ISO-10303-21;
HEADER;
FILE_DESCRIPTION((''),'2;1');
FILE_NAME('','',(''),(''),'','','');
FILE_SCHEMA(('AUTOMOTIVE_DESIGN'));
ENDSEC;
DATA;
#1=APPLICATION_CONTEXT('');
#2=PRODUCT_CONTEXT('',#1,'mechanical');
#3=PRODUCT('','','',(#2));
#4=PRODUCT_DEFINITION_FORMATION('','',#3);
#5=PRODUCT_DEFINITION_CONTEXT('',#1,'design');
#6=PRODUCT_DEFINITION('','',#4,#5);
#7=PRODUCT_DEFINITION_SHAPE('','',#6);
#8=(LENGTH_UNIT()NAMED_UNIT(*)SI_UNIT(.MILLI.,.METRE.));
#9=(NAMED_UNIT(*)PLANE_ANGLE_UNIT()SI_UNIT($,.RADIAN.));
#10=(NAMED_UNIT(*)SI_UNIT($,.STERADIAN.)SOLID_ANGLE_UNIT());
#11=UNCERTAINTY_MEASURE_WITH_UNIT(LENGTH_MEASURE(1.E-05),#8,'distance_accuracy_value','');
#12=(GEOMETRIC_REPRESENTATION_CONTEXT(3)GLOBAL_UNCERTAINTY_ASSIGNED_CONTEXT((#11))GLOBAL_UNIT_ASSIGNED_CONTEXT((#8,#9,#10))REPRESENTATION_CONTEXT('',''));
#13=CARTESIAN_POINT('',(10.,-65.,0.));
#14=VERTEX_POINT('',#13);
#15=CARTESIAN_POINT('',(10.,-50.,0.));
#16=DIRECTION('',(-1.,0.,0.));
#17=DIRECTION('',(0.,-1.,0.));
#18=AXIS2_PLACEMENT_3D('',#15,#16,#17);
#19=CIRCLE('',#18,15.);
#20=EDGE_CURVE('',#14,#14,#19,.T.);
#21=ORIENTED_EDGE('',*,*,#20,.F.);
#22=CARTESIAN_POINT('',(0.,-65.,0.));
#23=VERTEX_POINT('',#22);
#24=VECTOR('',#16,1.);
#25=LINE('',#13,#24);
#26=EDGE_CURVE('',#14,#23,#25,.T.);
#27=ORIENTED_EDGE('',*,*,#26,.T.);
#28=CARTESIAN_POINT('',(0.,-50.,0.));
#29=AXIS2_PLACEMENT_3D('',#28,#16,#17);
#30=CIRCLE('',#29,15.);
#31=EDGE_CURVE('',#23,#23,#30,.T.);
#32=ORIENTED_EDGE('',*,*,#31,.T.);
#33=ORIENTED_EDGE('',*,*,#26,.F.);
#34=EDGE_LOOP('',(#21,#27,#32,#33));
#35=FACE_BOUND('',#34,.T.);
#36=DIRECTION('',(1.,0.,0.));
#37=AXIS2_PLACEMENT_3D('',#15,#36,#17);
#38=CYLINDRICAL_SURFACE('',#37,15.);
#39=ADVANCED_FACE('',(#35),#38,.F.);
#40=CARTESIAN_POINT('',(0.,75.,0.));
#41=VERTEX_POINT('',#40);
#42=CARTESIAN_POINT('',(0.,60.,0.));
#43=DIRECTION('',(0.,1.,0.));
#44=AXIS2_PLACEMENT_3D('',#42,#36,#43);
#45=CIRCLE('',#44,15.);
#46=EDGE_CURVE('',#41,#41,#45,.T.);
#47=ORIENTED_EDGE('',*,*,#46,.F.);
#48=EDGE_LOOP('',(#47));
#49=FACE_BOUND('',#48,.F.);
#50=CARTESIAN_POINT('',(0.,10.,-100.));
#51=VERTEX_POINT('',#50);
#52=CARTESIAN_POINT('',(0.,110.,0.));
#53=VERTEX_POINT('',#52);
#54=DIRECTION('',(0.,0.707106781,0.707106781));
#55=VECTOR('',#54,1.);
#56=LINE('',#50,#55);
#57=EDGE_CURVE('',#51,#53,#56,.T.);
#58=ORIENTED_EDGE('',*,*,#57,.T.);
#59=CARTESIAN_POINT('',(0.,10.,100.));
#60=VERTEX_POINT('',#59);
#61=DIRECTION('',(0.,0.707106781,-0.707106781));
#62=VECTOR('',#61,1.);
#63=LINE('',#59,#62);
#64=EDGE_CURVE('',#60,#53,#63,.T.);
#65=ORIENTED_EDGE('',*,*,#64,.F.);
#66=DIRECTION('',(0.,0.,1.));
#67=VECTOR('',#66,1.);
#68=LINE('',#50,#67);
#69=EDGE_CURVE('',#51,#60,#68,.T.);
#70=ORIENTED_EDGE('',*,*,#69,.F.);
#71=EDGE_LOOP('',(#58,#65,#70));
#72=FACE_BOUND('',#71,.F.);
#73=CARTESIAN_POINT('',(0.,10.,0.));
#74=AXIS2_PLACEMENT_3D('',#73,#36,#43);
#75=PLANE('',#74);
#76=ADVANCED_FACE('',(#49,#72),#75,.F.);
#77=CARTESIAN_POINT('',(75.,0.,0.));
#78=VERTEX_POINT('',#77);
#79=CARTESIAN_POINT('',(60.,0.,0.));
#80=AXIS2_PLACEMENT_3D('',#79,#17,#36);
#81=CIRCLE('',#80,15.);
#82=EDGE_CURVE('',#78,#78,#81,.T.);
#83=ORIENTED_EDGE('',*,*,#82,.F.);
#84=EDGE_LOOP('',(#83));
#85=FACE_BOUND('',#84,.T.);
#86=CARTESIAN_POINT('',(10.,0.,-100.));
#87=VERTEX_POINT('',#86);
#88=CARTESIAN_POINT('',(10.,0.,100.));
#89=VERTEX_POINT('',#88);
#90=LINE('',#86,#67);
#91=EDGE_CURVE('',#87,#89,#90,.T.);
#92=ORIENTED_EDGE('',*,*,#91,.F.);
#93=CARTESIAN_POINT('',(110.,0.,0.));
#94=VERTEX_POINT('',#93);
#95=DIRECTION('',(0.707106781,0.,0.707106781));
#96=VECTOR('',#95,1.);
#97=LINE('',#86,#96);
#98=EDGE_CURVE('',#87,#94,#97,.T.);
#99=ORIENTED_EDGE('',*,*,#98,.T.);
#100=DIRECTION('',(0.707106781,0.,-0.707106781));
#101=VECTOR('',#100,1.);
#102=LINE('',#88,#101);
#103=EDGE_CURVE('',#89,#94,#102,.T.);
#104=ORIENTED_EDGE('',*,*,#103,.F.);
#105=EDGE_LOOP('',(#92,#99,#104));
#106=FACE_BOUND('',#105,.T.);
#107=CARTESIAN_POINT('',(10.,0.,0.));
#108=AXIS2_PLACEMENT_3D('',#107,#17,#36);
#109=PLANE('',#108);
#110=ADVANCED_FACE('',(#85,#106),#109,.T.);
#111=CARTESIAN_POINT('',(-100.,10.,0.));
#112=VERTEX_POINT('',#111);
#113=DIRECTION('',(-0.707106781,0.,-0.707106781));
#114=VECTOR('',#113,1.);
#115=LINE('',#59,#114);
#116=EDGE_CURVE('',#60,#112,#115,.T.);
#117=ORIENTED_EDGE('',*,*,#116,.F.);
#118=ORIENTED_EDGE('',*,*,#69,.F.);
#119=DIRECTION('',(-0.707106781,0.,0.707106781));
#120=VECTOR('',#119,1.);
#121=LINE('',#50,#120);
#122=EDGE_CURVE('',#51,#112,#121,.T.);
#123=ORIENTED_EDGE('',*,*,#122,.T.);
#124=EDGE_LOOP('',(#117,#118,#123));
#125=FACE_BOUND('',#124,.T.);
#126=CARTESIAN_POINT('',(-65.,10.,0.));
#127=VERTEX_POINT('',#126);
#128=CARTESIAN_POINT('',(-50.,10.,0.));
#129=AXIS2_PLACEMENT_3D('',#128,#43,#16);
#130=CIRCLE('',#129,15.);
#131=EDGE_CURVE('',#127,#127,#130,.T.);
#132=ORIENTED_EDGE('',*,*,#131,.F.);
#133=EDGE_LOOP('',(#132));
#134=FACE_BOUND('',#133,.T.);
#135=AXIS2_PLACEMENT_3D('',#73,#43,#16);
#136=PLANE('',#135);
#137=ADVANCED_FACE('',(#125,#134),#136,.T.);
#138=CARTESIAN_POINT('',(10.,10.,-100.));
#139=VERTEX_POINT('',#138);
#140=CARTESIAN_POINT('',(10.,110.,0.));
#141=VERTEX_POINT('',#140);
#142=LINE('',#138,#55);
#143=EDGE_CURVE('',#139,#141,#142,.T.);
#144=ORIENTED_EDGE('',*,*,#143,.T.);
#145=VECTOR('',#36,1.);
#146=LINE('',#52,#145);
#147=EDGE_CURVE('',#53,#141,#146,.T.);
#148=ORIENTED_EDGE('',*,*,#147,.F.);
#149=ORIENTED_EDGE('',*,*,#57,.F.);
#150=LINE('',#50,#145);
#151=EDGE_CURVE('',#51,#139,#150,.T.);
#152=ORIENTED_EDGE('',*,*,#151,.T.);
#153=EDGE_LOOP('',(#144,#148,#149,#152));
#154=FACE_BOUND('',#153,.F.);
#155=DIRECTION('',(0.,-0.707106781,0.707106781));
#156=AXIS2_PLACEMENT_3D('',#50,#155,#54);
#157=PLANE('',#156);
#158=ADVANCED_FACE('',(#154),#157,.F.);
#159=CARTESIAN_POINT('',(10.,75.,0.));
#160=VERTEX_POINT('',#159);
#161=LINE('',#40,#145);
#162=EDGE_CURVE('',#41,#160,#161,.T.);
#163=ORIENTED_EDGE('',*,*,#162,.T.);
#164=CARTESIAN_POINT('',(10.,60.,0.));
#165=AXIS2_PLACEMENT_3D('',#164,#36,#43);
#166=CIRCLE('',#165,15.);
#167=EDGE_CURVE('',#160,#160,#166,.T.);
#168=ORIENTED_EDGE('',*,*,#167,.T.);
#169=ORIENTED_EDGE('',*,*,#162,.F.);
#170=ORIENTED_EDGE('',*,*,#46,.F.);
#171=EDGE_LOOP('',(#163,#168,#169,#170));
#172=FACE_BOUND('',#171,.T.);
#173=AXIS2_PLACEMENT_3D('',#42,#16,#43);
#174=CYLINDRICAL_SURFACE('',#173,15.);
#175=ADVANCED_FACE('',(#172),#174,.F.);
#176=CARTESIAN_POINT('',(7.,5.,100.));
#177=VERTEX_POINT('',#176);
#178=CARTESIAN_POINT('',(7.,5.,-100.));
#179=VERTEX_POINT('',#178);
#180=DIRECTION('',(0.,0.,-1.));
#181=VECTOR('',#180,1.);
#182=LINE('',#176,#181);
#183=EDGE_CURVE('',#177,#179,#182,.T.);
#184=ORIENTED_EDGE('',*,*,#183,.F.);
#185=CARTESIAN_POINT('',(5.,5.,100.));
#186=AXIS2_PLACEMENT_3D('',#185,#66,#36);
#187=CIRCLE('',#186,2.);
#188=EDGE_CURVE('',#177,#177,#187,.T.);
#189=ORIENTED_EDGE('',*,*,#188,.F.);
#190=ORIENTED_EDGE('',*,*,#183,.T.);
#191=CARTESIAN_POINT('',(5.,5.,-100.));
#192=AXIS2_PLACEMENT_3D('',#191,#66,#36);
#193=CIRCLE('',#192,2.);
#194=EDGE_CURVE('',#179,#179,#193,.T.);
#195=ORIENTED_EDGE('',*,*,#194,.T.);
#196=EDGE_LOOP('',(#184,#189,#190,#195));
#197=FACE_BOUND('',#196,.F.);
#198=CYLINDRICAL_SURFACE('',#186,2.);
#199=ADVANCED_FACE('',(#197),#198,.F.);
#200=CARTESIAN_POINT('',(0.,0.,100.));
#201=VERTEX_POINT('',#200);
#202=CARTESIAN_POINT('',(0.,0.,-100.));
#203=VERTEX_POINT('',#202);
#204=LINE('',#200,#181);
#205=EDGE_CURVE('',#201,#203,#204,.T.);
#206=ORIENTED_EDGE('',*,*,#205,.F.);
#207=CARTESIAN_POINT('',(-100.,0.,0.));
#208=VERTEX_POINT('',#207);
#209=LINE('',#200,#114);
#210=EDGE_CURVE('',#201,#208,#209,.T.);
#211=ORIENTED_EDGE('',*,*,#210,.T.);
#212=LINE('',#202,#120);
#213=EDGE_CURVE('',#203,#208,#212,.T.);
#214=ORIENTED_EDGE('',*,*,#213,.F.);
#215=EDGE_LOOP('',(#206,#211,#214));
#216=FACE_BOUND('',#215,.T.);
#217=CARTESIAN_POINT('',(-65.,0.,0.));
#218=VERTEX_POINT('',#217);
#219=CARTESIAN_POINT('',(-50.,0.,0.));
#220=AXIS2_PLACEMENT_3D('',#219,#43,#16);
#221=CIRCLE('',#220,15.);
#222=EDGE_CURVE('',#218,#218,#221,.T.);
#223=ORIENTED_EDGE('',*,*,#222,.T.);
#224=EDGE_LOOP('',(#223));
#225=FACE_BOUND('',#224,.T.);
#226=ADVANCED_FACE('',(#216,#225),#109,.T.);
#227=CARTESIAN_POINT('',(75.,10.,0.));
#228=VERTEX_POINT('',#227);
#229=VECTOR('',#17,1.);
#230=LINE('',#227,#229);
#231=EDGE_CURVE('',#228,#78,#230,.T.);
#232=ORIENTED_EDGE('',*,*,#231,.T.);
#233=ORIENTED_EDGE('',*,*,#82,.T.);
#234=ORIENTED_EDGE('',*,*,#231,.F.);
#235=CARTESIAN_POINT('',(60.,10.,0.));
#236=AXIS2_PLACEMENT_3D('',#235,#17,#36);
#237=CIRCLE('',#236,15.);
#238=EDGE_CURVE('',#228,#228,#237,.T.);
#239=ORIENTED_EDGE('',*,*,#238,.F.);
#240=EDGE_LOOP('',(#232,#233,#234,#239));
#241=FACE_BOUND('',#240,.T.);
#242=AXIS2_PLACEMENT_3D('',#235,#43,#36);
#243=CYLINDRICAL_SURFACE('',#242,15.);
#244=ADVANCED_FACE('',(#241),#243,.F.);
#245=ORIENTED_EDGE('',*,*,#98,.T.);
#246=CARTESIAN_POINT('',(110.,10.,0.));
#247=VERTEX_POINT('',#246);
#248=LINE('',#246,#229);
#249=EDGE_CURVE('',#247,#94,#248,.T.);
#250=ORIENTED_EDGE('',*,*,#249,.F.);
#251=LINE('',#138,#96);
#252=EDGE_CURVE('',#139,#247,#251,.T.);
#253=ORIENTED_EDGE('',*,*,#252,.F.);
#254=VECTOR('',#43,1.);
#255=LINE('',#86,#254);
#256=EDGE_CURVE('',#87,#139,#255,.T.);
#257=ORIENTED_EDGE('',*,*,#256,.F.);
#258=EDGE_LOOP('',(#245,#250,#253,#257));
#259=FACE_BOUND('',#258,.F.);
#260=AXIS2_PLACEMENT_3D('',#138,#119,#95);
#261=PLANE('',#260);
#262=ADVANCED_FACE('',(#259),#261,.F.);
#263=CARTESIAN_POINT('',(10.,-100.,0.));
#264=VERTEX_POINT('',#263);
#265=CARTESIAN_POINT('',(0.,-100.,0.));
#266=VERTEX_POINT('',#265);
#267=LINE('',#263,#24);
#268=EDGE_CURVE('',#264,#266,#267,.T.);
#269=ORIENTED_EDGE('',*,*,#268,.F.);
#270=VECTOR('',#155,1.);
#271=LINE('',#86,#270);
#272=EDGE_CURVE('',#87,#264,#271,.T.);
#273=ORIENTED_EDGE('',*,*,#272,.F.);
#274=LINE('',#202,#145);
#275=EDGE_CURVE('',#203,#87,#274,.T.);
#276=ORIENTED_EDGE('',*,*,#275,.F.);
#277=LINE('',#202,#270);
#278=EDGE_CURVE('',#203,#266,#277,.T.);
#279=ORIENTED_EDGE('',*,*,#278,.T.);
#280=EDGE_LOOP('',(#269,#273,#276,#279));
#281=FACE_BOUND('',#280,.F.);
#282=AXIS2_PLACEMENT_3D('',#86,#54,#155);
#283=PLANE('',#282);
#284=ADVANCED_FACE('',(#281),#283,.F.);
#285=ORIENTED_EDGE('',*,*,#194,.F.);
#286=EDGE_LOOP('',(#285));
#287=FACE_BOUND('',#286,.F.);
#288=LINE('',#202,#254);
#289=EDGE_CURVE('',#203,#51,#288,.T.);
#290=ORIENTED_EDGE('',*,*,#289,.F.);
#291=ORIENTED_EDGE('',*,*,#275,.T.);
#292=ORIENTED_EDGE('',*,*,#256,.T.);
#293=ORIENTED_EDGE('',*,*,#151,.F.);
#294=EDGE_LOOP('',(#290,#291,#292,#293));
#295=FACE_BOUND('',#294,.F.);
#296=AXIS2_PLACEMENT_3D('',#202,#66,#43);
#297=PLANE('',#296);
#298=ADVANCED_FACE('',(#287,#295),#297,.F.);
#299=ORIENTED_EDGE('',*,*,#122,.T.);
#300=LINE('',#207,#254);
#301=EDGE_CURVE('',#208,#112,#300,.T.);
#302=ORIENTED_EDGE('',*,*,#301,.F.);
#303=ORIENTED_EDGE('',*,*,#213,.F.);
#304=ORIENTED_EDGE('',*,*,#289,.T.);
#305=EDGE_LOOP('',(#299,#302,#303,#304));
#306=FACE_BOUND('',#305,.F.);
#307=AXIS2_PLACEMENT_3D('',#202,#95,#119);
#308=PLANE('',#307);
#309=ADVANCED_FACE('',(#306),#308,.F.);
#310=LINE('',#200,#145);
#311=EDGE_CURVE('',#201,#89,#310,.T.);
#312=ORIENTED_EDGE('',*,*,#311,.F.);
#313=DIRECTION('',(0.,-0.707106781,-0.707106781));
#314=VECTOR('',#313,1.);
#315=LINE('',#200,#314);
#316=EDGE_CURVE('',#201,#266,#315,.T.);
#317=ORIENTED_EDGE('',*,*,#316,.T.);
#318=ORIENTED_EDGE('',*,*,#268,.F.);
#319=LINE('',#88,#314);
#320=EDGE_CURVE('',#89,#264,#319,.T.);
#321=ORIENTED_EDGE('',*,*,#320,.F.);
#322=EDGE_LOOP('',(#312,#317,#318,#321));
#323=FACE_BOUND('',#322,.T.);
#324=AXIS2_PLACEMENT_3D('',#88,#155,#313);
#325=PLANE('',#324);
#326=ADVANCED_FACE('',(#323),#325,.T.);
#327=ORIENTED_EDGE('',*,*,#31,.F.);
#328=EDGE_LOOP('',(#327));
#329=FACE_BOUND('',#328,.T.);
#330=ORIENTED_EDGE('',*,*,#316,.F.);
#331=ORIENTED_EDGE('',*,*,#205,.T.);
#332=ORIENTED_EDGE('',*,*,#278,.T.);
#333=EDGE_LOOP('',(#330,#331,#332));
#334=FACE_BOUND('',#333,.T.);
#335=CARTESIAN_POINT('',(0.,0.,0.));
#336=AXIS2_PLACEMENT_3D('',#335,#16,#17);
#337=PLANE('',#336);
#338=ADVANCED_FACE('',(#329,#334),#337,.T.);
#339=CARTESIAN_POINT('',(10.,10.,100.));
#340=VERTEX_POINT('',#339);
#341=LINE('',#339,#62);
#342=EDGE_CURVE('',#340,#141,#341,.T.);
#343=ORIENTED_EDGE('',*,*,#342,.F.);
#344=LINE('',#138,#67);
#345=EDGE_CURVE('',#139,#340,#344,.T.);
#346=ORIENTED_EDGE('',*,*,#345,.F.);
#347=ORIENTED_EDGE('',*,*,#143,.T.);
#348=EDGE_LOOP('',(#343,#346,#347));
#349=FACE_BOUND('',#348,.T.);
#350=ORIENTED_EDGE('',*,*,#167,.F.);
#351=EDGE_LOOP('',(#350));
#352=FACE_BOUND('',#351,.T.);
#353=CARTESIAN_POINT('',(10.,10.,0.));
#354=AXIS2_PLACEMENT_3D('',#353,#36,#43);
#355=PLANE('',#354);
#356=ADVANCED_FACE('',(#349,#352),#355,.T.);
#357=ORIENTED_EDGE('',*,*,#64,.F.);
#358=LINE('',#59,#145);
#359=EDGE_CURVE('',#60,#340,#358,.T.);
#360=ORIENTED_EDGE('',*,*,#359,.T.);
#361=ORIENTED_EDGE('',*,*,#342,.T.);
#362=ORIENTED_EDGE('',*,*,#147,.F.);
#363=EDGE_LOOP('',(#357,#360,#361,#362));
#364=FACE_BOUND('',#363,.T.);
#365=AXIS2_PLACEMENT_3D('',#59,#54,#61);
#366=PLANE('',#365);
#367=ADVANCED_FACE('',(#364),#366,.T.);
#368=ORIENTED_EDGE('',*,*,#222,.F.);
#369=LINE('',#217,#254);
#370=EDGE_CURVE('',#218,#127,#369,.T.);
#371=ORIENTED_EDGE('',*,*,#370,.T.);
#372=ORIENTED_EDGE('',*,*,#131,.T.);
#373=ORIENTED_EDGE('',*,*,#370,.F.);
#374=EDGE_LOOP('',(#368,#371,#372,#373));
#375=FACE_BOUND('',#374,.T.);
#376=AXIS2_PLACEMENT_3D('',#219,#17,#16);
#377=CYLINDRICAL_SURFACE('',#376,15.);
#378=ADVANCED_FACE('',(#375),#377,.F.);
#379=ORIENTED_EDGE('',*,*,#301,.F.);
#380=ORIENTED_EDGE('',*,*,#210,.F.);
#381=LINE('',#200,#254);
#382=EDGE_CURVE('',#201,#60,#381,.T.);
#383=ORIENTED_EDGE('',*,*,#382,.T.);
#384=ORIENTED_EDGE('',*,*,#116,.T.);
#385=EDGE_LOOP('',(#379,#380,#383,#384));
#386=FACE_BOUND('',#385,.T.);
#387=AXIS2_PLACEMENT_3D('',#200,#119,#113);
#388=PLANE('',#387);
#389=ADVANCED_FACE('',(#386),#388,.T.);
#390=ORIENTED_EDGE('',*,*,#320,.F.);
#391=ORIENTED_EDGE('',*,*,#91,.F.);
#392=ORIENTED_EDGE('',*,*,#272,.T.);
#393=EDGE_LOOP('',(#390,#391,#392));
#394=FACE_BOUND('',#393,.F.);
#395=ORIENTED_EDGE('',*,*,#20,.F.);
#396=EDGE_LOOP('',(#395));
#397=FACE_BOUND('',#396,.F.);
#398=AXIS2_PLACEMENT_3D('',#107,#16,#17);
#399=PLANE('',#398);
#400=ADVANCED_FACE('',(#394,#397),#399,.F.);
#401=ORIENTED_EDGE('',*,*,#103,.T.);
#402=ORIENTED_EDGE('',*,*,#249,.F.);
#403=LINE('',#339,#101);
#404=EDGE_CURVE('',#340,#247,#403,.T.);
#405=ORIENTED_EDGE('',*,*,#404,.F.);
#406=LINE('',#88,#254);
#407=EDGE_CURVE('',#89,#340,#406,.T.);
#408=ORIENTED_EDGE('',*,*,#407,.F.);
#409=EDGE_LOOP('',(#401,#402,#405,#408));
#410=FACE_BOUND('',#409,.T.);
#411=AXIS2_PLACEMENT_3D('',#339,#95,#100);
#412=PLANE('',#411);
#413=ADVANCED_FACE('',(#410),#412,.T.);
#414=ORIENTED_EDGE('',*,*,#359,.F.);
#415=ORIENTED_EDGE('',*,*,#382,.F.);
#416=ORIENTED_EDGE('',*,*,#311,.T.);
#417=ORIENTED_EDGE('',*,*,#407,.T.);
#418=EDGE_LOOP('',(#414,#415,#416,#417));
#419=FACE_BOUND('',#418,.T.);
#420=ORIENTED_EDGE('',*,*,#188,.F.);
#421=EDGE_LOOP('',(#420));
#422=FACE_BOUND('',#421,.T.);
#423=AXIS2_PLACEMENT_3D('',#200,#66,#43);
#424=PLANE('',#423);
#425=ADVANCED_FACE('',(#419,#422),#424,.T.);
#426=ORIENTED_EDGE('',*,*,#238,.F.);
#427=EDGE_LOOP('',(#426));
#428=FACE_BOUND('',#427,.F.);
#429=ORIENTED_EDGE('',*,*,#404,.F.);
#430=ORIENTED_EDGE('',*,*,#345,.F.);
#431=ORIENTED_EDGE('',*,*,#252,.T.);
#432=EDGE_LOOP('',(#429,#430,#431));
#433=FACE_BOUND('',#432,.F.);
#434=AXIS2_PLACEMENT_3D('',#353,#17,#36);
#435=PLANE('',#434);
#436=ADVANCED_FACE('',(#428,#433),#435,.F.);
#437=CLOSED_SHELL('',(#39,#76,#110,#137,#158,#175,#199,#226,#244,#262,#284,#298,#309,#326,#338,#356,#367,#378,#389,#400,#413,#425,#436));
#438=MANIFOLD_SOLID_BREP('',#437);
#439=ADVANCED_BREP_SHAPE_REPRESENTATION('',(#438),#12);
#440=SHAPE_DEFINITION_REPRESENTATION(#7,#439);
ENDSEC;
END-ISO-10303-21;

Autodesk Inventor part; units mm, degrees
ref_plane "YZ Plane" through (0, 0, 0) normal (1, 0, 0) x (0, 1, 0)
ref_plane "XZ Plane" through (0, 0, 0) normal (0, 1, 0) x (-1, 0, 0)
ref_plane "XY Plane" through (0, 0, 0) normal (0, 0, 1) x (1, 0, 0)
sketch "Sketch1" plane through (0, 0, 0) normal (0, 1, 0) x (-1, 0, 0)
  point P0 (0, 0)
sketch "Sketch2" plane through (0, 0, 0) normal (0, 1, 0) x (-1, 0, 0)
  line L0 (0, 0) -> (0, -100)
  line L1 (0, -100) -> (100, 0)
  line L2 (100, 0) -> (0, 0) construction
  line L3 (0, 0) -> (0, 100)
  line L4 (0, 100) -> (100, 0)
  circle A0 centre (50, 0) radius 15
  dimension "d0" = 100
  dimension "d1" = 45
  dimension "d2" = 30
  dimension "d3" = 50
extrude "Extrusion1" add sketch "Sketch2" along normal blind 10
sketch "Sketch3" plane through (0, 0, 100) normal (1, 0, 0) x (0, 0, -1)
  line L0 (0, 0) -> (200, 0) projected
  line L1 (200, 0) -> (200, 10) projected
  line L2 (0, 10) -> (200, 10) projected
  line L3 (0, 0) -> (0, 10) projected
  point P0 (100, 0)
extrude "Extrusion2" add sketch "Sketch3" along normal blind 10
sketch "Sketch4" plane through (0, 0, 100) normal (0, 0, 1) x (1, 0, 0)
  circle A0 centre (5, 5) radius 2
  line L0 (0, 10) -> (10, 10) projected
  line L1 (10, 10) -> (10, 0) projected
  point P0 (0, 0)
  dimension "d8" = 4
  dimension "d9" = 5
  dimension "d10" = 5
extrude "Extrusion3" cut sketch "Sketch4" against normal blind 252.8875
pattern_circular "Circular Pattern1" count 4 over 360 about axis through (5, 5, 100) along (0, 0, -1) of "Extrusion1"
properties part number "MainStructure"
